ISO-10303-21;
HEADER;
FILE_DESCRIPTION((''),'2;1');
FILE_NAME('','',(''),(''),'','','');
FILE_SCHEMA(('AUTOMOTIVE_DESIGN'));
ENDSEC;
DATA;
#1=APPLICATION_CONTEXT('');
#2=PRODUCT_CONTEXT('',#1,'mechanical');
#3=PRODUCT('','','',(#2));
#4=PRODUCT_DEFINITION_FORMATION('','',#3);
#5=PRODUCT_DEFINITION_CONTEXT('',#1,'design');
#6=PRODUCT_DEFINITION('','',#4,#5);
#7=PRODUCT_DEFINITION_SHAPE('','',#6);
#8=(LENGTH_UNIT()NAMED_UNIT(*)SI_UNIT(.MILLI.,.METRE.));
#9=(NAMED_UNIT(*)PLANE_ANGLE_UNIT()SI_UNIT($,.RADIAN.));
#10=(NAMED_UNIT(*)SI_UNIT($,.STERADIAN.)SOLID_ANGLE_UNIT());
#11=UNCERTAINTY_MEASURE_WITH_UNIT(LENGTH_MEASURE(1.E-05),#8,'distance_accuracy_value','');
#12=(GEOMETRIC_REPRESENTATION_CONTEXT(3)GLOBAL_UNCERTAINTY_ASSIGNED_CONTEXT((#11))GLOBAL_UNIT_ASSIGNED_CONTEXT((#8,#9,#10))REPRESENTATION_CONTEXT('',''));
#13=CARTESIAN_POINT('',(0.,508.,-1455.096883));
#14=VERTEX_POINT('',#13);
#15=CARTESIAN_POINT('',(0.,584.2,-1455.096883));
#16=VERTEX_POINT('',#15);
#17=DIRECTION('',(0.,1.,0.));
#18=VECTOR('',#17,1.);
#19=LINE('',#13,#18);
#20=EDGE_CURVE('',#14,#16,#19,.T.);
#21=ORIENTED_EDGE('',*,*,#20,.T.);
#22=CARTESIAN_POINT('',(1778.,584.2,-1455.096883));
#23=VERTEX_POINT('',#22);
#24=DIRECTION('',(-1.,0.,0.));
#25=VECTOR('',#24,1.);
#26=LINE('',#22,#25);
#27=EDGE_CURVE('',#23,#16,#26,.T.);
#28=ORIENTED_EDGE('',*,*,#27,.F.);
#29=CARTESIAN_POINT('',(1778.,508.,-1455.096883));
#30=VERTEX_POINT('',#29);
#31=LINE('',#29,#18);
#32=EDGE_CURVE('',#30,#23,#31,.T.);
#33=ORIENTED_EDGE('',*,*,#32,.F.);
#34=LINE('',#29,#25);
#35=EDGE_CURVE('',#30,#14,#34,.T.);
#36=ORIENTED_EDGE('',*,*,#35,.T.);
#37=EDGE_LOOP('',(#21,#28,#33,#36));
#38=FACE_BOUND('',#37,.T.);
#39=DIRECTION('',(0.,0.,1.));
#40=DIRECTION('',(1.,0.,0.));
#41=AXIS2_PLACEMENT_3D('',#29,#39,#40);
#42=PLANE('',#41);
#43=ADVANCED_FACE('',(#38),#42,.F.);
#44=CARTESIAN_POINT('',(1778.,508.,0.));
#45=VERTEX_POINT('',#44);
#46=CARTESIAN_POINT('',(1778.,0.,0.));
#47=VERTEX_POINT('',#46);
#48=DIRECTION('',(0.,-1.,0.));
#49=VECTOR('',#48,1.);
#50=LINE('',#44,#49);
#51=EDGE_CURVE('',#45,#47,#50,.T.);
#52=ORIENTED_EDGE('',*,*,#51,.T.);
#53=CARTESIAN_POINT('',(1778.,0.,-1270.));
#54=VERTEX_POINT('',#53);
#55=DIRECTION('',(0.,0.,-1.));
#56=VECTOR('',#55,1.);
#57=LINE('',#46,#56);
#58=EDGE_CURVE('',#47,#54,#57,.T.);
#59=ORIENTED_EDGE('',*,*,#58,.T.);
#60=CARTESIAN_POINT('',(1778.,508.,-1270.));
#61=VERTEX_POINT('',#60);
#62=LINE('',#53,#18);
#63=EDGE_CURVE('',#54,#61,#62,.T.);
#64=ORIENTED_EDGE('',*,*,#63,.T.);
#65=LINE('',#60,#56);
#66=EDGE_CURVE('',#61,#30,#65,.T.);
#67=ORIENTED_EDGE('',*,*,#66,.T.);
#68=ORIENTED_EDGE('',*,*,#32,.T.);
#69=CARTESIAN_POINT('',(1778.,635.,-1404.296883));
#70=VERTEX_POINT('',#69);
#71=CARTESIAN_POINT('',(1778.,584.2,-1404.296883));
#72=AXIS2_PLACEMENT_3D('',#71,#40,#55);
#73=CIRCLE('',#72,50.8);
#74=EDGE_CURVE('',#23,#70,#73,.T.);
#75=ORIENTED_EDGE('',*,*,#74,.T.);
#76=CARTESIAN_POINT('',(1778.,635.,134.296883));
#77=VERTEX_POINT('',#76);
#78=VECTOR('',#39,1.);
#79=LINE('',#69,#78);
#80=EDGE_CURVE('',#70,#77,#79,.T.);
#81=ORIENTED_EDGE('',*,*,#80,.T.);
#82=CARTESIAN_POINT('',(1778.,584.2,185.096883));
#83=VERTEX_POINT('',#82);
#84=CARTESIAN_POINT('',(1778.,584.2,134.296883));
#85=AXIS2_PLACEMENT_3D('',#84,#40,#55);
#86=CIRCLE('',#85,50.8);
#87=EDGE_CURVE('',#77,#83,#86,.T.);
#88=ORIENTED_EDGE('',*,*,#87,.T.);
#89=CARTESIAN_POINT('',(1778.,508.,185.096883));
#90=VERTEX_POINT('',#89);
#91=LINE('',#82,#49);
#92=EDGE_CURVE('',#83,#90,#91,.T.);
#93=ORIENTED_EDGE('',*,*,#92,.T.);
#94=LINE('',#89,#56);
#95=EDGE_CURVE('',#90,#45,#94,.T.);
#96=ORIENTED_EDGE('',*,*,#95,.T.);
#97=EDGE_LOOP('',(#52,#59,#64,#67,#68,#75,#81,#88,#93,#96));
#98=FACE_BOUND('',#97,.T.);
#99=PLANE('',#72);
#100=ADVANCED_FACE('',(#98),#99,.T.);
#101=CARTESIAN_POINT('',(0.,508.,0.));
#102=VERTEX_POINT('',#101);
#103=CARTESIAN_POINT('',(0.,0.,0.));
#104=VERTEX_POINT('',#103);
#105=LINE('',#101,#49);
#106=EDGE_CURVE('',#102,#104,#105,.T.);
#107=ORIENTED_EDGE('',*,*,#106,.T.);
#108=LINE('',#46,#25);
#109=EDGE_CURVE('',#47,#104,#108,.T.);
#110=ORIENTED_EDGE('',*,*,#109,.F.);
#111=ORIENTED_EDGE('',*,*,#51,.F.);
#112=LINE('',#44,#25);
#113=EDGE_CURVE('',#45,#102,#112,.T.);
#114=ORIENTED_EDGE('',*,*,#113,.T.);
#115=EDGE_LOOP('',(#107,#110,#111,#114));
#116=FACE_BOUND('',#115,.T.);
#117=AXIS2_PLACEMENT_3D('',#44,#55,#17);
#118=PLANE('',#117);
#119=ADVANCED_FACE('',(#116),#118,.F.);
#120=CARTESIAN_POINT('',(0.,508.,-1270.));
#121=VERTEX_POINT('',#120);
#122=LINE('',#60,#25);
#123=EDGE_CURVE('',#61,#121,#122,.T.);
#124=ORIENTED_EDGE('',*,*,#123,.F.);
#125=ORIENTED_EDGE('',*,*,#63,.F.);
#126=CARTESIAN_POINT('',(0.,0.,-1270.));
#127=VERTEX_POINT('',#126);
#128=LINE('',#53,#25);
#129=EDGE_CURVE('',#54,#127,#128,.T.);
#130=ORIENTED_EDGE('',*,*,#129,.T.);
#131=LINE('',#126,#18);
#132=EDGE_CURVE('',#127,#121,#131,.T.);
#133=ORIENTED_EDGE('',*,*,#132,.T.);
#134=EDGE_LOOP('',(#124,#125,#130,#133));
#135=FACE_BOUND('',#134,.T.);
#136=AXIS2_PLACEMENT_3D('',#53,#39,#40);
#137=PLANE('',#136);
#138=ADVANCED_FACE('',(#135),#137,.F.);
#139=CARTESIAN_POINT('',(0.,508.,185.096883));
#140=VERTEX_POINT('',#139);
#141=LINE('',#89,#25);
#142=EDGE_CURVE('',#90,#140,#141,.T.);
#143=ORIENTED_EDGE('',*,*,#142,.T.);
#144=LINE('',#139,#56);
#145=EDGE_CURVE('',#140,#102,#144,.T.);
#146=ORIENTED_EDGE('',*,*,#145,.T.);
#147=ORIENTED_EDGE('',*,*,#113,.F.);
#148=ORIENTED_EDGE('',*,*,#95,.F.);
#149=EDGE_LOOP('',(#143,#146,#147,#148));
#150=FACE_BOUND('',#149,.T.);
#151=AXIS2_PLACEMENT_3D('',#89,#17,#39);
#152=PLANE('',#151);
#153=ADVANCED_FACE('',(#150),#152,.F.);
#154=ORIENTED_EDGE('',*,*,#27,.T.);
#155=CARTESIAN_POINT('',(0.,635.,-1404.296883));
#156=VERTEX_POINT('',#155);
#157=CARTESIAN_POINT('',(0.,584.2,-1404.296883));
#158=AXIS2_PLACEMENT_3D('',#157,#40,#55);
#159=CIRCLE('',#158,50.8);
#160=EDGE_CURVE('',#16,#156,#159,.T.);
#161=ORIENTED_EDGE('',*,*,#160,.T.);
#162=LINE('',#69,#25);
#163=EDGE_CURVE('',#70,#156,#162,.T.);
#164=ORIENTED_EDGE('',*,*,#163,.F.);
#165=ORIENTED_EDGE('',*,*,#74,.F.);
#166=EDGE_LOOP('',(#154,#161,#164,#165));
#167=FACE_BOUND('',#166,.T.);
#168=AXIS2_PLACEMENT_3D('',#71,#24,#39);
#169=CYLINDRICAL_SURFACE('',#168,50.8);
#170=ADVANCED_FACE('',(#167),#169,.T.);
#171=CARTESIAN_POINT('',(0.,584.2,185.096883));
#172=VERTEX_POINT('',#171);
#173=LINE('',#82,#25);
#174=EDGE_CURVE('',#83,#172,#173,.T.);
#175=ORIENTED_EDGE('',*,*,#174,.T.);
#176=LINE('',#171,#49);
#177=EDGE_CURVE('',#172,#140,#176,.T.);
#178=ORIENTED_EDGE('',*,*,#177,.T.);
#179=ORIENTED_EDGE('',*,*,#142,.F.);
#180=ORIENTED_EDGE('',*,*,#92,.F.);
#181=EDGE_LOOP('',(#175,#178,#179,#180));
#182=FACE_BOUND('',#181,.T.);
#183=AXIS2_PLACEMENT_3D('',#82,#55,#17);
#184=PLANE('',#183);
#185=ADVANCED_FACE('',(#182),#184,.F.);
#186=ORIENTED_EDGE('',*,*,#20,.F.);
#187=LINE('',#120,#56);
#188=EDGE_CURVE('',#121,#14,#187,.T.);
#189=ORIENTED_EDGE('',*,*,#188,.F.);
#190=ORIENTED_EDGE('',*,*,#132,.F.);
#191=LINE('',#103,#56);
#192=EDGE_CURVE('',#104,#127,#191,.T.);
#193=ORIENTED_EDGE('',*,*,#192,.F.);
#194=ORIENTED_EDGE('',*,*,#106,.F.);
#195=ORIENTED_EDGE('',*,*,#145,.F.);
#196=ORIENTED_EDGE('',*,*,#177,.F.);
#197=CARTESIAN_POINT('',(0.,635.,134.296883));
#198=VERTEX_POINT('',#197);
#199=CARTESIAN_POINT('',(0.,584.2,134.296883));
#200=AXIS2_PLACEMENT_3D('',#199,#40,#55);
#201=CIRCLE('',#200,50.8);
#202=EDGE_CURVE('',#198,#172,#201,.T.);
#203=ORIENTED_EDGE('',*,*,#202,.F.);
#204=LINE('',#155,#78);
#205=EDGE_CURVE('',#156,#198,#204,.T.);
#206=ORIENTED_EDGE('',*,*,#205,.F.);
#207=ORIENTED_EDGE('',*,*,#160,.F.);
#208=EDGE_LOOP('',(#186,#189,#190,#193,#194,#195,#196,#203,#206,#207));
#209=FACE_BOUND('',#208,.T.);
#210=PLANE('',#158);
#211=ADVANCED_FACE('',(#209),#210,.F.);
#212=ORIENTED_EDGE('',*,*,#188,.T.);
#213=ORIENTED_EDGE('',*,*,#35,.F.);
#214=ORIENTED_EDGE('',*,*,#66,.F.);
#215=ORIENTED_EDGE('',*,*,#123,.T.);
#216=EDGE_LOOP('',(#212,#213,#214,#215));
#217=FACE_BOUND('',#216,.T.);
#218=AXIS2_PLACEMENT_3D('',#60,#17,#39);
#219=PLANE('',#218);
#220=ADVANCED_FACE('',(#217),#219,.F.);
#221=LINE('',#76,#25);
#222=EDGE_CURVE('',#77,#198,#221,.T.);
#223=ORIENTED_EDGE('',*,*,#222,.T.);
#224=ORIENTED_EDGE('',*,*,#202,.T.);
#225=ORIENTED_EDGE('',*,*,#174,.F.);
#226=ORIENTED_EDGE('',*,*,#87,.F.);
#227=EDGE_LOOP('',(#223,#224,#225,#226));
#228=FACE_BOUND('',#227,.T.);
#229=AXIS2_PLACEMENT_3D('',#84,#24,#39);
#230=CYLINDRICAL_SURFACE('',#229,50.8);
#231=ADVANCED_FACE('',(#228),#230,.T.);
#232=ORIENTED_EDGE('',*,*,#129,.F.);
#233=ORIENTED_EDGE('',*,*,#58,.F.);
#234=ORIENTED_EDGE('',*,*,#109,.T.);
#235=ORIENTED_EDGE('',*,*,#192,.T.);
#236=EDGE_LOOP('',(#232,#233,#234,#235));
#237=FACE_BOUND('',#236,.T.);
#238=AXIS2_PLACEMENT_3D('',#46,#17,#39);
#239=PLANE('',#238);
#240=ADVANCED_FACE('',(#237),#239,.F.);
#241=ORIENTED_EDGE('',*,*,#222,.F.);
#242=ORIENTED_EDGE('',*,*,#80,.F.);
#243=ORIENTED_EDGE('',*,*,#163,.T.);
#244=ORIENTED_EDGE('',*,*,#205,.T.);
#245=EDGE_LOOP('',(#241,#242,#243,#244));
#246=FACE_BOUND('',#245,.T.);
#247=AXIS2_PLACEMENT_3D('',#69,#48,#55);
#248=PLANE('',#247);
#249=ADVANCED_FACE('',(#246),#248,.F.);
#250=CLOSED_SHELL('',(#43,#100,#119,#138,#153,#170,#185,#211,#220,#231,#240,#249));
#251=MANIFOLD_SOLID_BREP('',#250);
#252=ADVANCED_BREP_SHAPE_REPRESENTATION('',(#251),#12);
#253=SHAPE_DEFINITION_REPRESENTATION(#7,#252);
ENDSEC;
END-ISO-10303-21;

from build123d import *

# Parameters (mm, degrees)
BOSS_EXTRUDE1_DEPTH = 1778


with BuildPart() as part:
    # Sketch1 → Boss-Extrude1 (new body)
    with BuildSketch(Plane(origin=(0, 0, 0), x_dir=(0, 0, -1), z_dir=(1, 0, 0))):
        with BuildLine():
            Line((0, 0), (1270, 0))
            Line((1270, 0), (1270, 508))
            Line((1270, 508), (1455.096882898, 508))
            Line((1455.096882898, 508), (1455.096882898, 584.2))
            ThreePointArc((1455.096882898, 584.2), (1440.217907382, 620.121024484), (1404.296882898, 635))
            Line((1404.296882898, 635), (-134.296882898, 635))
            ThreePointArc((-134.296882898, 635), (-170.217907382, 620.121024484), (-185.096882898, 584.2))
            Line((-185.096882898, 584.2), (-185.096882898, 508))
            Line((-185.096882898, 508), (0, 508))
            Line((0, 508), (0, 0))
        make_face()
    extrude(amount=BOSS_EXTRUDE1_DEPTH)


solid = part.part
